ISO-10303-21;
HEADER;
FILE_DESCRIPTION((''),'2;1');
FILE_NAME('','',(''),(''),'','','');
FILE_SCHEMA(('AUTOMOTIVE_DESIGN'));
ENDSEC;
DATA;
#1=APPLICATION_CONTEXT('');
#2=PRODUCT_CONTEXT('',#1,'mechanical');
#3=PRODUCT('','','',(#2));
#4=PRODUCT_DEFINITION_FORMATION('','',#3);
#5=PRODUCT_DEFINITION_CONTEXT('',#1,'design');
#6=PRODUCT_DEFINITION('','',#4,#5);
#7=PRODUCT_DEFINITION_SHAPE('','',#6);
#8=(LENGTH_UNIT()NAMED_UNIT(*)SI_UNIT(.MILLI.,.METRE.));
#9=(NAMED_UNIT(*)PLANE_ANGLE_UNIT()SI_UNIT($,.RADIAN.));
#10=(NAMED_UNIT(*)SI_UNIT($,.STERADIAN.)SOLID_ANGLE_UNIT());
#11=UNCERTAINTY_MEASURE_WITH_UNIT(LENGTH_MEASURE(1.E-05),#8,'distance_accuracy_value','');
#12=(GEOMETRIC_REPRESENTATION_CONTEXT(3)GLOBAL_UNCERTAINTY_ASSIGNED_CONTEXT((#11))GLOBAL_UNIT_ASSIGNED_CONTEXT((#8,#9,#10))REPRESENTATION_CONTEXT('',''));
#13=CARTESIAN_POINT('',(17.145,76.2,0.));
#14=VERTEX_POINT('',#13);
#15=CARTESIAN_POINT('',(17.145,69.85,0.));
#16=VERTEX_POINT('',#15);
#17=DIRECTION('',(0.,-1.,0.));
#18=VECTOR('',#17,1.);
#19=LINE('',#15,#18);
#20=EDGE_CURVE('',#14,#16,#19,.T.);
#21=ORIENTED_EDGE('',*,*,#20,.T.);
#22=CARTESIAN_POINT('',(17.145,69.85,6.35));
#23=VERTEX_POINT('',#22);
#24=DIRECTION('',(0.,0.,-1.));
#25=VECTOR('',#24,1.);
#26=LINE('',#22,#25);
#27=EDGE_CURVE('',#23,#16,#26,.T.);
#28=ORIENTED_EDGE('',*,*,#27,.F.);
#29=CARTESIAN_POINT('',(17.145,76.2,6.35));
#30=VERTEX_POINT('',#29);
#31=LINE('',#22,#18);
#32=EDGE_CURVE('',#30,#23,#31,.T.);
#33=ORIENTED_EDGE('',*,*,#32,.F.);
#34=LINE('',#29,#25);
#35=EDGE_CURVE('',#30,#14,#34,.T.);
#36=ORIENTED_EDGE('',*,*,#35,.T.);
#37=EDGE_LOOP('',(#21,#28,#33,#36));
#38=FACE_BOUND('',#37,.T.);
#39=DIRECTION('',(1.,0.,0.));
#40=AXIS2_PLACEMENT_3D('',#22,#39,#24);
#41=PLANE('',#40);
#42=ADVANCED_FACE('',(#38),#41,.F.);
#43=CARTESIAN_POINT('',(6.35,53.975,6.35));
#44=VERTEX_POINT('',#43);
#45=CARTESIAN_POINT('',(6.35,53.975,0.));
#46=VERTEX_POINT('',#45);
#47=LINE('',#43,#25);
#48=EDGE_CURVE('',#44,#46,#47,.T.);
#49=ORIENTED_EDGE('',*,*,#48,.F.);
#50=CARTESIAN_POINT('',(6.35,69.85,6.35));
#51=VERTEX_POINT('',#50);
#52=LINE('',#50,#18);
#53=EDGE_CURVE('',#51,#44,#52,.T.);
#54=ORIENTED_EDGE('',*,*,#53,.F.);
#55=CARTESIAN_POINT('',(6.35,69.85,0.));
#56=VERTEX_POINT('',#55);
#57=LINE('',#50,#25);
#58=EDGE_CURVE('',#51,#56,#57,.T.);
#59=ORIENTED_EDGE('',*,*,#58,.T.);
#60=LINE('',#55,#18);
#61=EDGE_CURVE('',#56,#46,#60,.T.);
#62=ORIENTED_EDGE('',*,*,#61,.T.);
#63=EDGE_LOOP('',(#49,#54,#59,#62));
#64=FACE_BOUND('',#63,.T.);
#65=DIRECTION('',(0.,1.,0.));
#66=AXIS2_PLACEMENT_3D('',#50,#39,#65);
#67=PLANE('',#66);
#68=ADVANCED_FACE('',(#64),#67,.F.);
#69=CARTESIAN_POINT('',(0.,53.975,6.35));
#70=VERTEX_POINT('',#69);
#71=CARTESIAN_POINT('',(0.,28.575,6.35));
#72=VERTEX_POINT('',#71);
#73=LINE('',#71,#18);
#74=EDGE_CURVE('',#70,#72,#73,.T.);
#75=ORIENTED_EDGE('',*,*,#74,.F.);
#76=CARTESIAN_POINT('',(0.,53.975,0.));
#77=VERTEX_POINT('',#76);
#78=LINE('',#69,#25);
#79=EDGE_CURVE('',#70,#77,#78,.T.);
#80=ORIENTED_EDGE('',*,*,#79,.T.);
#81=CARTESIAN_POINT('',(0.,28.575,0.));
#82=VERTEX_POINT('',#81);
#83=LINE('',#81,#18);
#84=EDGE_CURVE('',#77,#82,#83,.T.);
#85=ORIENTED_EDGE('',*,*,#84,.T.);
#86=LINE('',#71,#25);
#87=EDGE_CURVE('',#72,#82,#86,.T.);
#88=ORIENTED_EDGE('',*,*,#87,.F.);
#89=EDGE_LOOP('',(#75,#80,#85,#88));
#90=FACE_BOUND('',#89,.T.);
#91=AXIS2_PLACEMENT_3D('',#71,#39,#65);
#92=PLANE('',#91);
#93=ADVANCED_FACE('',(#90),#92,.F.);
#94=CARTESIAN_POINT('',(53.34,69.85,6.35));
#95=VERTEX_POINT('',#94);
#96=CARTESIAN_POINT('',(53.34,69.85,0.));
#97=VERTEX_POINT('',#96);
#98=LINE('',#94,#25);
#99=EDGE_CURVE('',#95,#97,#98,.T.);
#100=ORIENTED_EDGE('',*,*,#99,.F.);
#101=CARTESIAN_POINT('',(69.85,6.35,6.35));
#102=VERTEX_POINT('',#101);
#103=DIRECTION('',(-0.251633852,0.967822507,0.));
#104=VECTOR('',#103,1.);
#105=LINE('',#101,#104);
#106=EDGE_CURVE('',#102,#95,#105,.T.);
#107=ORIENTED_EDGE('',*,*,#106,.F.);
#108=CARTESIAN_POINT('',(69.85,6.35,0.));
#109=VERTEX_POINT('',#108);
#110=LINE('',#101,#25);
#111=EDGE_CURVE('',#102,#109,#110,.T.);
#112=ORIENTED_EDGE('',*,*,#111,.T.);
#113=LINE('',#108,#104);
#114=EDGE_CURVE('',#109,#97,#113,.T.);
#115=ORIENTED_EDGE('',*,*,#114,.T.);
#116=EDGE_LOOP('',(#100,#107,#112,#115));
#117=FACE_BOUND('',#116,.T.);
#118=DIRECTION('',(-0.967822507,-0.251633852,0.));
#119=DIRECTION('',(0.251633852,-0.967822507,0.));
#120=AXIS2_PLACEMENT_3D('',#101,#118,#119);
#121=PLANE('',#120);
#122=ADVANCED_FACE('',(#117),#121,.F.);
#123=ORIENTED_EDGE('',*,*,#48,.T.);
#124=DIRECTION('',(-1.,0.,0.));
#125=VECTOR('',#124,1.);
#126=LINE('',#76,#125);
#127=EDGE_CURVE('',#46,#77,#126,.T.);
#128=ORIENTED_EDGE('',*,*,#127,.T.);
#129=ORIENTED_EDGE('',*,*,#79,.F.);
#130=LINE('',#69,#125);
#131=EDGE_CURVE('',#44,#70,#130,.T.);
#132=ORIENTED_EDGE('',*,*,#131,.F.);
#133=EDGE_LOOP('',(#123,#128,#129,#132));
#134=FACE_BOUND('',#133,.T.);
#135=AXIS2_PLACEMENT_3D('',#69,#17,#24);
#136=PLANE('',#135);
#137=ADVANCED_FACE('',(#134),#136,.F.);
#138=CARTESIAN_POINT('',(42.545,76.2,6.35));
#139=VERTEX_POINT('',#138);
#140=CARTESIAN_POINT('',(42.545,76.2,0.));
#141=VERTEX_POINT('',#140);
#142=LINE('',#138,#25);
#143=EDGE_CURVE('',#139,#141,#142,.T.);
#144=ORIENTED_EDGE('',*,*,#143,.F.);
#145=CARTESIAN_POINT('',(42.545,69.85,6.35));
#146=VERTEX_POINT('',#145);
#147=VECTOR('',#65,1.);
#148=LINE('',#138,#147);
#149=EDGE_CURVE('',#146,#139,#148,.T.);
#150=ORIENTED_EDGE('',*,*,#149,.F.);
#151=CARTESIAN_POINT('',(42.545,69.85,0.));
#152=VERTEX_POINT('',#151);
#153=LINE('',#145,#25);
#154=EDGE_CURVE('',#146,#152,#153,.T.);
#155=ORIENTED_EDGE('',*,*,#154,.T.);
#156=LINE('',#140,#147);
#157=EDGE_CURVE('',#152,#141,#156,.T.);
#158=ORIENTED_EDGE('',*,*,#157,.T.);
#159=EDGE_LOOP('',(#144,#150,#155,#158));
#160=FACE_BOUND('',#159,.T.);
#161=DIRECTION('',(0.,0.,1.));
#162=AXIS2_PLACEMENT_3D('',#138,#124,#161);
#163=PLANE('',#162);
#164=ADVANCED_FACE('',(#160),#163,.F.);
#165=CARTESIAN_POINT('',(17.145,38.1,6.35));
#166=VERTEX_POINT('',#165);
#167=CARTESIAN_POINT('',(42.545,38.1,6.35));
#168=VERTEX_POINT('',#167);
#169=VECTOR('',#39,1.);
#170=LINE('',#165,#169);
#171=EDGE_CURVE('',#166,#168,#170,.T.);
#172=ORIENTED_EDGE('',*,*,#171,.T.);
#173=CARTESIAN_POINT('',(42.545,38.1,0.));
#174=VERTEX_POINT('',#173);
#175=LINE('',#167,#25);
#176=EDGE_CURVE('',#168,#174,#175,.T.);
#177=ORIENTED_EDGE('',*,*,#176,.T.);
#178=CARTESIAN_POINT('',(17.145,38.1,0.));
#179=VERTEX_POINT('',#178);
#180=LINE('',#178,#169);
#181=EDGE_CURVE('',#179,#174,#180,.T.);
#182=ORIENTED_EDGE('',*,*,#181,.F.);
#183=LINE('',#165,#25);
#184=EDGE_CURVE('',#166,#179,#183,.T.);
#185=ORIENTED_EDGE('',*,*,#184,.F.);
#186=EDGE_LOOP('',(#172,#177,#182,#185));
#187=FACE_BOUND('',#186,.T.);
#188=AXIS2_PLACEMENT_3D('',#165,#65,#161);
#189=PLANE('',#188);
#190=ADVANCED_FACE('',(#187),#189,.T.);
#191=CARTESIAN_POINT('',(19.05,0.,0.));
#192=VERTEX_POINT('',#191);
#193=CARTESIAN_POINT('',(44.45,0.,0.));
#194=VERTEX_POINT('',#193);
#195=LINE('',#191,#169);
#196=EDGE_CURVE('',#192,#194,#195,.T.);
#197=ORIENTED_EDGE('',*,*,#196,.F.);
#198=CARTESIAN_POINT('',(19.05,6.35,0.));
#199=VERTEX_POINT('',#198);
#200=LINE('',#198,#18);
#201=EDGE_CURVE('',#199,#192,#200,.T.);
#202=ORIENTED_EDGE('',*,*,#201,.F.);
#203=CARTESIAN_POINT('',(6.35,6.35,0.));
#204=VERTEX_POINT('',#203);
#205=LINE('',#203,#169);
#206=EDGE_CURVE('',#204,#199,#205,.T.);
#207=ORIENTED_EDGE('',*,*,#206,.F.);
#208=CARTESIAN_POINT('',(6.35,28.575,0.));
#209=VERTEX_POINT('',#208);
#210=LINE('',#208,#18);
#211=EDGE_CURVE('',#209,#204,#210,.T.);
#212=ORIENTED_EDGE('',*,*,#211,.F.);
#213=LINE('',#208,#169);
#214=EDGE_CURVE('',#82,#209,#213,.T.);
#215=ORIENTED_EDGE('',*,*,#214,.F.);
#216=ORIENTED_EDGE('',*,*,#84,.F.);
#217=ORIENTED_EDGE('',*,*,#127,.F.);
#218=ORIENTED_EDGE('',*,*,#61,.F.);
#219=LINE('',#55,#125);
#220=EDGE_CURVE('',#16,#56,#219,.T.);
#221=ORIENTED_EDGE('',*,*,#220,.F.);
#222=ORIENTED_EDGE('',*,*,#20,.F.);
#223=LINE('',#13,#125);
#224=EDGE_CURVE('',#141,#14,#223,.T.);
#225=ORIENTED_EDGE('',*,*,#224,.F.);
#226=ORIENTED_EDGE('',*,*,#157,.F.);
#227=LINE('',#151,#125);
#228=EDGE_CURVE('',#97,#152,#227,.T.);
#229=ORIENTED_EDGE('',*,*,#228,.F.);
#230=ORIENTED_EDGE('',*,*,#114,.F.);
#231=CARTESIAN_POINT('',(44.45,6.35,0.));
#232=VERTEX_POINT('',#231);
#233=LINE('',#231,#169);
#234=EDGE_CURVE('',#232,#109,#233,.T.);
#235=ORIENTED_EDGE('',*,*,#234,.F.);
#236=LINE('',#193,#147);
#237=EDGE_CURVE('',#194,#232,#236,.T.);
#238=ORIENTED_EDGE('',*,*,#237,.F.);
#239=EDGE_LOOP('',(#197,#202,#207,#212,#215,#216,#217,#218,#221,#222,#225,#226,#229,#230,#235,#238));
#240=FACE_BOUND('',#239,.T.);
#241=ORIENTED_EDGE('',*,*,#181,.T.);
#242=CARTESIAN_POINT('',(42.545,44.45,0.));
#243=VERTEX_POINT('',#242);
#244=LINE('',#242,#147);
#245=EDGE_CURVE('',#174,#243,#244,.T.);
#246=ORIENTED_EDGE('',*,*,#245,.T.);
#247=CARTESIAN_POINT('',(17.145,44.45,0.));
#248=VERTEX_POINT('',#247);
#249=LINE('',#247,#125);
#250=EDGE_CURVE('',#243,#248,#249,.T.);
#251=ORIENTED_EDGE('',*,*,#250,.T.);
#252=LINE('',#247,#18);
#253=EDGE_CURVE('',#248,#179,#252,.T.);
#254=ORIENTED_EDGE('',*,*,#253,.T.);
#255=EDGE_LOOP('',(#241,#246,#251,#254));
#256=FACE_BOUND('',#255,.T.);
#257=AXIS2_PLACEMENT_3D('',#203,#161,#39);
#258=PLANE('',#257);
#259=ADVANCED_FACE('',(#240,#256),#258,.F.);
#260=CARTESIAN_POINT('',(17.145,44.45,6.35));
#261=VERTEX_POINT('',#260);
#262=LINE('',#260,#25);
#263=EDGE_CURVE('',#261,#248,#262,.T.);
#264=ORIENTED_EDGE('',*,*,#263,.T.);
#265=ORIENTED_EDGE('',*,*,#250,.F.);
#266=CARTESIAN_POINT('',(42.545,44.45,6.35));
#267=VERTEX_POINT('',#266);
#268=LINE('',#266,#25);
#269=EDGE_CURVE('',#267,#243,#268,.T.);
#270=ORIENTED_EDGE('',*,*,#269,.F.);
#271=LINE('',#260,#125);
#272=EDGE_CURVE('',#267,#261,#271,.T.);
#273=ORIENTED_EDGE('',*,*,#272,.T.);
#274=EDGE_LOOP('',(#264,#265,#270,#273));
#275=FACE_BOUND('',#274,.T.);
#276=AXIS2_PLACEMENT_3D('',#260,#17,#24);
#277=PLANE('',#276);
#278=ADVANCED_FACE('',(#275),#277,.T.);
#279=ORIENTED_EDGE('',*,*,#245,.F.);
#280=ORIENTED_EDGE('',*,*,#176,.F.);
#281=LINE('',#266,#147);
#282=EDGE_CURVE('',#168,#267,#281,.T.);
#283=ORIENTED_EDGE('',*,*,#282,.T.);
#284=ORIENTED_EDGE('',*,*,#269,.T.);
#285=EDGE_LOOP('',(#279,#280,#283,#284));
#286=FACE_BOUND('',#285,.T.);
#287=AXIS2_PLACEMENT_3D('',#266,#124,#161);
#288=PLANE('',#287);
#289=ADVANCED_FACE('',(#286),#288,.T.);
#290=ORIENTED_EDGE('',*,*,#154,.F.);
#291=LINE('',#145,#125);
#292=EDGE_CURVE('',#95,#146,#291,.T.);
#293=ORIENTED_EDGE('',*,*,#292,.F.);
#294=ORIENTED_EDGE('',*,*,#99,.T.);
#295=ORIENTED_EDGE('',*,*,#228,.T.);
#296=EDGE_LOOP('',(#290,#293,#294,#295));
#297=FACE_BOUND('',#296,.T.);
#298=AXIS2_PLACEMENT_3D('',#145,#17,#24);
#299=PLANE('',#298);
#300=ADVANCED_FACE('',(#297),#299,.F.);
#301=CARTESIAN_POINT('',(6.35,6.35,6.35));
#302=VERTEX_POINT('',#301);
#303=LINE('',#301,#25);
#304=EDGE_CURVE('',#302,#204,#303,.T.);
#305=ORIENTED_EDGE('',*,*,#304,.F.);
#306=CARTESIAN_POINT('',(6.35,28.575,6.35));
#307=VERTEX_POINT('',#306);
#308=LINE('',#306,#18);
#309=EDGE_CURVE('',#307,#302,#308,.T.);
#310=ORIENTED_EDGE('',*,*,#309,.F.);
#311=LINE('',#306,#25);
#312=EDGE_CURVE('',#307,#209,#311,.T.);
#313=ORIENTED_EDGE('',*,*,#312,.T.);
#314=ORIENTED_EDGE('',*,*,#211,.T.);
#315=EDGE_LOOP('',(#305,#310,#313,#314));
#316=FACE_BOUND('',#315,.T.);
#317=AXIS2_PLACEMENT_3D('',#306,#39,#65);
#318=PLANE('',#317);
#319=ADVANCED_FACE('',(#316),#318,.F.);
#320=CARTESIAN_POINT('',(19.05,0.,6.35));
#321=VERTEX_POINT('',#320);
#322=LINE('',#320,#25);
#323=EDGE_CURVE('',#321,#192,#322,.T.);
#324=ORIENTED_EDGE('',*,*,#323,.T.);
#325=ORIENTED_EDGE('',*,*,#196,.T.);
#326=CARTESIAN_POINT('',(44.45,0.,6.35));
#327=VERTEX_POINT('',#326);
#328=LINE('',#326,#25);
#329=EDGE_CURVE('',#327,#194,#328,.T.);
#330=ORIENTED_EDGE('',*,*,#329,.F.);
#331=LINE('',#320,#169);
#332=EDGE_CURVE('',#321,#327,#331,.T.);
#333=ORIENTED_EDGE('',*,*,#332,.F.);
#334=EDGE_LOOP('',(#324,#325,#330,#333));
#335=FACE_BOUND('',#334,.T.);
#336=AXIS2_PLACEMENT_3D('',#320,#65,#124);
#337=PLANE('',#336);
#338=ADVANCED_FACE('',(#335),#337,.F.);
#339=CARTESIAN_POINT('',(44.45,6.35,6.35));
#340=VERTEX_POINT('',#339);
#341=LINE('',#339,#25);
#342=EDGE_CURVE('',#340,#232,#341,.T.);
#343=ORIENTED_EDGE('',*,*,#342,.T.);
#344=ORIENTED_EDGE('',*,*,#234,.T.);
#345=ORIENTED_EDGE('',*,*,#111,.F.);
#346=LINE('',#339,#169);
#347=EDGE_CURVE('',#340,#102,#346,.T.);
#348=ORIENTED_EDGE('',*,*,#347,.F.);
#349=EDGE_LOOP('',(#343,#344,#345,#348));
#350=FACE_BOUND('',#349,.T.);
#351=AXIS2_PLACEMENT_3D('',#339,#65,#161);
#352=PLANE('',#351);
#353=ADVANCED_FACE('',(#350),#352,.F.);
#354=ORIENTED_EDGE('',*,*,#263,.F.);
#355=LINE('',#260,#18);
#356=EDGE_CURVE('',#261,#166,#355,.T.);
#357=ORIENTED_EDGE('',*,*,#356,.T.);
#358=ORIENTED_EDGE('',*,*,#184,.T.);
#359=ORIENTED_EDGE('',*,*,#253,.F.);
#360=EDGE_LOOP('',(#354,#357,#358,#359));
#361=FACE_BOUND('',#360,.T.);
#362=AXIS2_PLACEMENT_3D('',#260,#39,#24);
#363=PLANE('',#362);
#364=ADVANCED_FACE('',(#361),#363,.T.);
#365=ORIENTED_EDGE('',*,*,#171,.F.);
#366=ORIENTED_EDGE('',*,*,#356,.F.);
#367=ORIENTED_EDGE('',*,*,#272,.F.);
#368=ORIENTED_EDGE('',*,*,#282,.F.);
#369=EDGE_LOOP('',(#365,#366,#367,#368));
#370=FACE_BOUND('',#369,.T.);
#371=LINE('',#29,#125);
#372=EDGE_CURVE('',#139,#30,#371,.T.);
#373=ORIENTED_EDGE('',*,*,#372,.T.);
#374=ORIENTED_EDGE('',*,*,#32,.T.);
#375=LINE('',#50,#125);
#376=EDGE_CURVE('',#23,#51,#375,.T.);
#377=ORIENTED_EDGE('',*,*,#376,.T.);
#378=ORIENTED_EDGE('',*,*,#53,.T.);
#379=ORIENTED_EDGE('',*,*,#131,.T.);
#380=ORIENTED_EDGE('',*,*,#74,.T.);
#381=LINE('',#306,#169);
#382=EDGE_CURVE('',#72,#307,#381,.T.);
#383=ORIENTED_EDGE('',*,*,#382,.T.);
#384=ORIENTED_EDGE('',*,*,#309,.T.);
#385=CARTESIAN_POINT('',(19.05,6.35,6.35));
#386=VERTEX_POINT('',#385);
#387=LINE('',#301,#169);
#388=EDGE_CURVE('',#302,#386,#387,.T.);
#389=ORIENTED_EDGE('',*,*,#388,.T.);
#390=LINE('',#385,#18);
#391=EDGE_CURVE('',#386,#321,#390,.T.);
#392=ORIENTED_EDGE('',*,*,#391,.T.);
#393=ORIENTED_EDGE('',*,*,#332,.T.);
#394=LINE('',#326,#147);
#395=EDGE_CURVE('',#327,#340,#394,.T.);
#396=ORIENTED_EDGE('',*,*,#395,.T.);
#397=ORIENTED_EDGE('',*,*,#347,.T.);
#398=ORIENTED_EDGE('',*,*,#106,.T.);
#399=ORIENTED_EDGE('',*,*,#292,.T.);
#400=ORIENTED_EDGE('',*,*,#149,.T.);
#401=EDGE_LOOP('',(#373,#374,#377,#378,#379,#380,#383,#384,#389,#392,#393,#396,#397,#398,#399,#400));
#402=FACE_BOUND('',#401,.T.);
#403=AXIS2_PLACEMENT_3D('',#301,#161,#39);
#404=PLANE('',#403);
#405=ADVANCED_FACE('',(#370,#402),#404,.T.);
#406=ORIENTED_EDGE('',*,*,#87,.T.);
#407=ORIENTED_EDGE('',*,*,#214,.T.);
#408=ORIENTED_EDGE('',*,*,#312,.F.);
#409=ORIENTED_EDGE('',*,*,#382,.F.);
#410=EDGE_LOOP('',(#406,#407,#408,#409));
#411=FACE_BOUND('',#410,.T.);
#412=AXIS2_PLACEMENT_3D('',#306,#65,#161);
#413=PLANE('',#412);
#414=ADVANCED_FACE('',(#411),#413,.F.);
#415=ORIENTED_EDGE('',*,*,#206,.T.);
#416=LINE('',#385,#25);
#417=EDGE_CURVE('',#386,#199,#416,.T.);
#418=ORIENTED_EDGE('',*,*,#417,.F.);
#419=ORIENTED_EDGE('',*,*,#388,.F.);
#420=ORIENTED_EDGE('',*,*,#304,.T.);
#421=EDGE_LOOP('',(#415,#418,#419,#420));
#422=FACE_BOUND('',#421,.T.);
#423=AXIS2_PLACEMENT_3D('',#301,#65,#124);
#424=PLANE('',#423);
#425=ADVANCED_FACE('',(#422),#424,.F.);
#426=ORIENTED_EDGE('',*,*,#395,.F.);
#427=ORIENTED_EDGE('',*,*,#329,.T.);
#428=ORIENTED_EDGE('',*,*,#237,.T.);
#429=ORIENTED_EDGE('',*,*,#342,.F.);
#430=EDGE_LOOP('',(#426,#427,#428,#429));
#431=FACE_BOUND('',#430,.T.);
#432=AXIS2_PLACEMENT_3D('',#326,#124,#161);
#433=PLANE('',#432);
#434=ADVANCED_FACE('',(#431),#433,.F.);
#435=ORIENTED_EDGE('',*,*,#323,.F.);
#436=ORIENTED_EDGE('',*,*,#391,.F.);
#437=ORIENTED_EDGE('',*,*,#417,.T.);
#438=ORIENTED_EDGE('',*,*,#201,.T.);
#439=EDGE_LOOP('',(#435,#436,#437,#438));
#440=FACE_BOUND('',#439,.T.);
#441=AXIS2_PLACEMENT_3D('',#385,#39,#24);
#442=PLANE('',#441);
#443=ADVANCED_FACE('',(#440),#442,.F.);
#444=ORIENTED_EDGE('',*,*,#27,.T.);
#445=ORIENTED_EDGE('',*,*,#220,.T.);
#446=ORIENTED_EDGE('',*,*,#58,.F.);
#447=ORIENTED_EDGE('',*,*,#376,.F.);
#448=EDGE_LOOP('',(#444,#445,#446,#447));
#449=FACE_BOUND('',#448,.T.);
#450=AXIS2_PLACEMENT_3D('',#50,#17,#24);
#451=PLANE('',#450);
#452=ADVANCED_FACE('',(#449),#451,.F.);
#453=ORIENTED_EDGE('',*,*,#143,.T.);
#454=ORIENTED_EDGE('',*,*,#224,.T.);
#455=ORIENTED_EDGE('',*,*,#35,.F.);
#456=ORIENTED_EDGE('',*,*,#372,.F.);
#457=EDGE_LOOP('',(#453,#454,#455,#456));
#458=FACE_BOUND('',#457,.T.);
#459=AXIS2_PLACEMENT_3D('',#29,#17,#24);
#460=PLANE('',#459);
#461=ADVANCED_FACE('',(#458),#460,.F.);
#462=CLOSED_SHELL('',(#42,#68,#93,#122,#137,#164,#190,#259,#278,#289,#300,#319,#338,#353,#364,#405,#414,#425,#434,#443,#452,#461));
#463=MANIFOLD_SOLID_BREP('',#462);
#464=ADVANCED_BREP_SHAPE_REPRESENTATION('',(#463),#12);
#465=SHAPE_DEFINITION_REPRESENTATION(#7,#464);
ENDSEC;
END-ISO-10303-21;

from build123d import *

# Parameters (mm, degrees)
SKETCH1_W      = 25.4
SKETCH1_H      = 6.35
EXTRUDE1_DEPTH = 6.35


with BuildPart() as part:
    # Sketch1 → Extrude1 (new body)
    with BuildSketch(Plane.XY):
        Polygon((6.35, 28.575), (0, 28.575), (0, 53.975), (6.35, 53.975), (6.35, 69.85), (17.145, 69.85), (17.145, 76.2), (42.545, 76.2), (42.545, 69.85), (53.34, 69.85), (69.85, 6.35), (44.45, 6.35), (44.45, 0), (19.05, 0), (19.05, 6.35), (6.35, 6.35), align=None)
        with Locations((29.845, 41.275)):
            Rectangle(SKETCH1_W, SKETCH1_H, mode=Mode.SUBTRACT)
    extrude(amount=EXTRUDE1_DEPTH)


solid = part.part
